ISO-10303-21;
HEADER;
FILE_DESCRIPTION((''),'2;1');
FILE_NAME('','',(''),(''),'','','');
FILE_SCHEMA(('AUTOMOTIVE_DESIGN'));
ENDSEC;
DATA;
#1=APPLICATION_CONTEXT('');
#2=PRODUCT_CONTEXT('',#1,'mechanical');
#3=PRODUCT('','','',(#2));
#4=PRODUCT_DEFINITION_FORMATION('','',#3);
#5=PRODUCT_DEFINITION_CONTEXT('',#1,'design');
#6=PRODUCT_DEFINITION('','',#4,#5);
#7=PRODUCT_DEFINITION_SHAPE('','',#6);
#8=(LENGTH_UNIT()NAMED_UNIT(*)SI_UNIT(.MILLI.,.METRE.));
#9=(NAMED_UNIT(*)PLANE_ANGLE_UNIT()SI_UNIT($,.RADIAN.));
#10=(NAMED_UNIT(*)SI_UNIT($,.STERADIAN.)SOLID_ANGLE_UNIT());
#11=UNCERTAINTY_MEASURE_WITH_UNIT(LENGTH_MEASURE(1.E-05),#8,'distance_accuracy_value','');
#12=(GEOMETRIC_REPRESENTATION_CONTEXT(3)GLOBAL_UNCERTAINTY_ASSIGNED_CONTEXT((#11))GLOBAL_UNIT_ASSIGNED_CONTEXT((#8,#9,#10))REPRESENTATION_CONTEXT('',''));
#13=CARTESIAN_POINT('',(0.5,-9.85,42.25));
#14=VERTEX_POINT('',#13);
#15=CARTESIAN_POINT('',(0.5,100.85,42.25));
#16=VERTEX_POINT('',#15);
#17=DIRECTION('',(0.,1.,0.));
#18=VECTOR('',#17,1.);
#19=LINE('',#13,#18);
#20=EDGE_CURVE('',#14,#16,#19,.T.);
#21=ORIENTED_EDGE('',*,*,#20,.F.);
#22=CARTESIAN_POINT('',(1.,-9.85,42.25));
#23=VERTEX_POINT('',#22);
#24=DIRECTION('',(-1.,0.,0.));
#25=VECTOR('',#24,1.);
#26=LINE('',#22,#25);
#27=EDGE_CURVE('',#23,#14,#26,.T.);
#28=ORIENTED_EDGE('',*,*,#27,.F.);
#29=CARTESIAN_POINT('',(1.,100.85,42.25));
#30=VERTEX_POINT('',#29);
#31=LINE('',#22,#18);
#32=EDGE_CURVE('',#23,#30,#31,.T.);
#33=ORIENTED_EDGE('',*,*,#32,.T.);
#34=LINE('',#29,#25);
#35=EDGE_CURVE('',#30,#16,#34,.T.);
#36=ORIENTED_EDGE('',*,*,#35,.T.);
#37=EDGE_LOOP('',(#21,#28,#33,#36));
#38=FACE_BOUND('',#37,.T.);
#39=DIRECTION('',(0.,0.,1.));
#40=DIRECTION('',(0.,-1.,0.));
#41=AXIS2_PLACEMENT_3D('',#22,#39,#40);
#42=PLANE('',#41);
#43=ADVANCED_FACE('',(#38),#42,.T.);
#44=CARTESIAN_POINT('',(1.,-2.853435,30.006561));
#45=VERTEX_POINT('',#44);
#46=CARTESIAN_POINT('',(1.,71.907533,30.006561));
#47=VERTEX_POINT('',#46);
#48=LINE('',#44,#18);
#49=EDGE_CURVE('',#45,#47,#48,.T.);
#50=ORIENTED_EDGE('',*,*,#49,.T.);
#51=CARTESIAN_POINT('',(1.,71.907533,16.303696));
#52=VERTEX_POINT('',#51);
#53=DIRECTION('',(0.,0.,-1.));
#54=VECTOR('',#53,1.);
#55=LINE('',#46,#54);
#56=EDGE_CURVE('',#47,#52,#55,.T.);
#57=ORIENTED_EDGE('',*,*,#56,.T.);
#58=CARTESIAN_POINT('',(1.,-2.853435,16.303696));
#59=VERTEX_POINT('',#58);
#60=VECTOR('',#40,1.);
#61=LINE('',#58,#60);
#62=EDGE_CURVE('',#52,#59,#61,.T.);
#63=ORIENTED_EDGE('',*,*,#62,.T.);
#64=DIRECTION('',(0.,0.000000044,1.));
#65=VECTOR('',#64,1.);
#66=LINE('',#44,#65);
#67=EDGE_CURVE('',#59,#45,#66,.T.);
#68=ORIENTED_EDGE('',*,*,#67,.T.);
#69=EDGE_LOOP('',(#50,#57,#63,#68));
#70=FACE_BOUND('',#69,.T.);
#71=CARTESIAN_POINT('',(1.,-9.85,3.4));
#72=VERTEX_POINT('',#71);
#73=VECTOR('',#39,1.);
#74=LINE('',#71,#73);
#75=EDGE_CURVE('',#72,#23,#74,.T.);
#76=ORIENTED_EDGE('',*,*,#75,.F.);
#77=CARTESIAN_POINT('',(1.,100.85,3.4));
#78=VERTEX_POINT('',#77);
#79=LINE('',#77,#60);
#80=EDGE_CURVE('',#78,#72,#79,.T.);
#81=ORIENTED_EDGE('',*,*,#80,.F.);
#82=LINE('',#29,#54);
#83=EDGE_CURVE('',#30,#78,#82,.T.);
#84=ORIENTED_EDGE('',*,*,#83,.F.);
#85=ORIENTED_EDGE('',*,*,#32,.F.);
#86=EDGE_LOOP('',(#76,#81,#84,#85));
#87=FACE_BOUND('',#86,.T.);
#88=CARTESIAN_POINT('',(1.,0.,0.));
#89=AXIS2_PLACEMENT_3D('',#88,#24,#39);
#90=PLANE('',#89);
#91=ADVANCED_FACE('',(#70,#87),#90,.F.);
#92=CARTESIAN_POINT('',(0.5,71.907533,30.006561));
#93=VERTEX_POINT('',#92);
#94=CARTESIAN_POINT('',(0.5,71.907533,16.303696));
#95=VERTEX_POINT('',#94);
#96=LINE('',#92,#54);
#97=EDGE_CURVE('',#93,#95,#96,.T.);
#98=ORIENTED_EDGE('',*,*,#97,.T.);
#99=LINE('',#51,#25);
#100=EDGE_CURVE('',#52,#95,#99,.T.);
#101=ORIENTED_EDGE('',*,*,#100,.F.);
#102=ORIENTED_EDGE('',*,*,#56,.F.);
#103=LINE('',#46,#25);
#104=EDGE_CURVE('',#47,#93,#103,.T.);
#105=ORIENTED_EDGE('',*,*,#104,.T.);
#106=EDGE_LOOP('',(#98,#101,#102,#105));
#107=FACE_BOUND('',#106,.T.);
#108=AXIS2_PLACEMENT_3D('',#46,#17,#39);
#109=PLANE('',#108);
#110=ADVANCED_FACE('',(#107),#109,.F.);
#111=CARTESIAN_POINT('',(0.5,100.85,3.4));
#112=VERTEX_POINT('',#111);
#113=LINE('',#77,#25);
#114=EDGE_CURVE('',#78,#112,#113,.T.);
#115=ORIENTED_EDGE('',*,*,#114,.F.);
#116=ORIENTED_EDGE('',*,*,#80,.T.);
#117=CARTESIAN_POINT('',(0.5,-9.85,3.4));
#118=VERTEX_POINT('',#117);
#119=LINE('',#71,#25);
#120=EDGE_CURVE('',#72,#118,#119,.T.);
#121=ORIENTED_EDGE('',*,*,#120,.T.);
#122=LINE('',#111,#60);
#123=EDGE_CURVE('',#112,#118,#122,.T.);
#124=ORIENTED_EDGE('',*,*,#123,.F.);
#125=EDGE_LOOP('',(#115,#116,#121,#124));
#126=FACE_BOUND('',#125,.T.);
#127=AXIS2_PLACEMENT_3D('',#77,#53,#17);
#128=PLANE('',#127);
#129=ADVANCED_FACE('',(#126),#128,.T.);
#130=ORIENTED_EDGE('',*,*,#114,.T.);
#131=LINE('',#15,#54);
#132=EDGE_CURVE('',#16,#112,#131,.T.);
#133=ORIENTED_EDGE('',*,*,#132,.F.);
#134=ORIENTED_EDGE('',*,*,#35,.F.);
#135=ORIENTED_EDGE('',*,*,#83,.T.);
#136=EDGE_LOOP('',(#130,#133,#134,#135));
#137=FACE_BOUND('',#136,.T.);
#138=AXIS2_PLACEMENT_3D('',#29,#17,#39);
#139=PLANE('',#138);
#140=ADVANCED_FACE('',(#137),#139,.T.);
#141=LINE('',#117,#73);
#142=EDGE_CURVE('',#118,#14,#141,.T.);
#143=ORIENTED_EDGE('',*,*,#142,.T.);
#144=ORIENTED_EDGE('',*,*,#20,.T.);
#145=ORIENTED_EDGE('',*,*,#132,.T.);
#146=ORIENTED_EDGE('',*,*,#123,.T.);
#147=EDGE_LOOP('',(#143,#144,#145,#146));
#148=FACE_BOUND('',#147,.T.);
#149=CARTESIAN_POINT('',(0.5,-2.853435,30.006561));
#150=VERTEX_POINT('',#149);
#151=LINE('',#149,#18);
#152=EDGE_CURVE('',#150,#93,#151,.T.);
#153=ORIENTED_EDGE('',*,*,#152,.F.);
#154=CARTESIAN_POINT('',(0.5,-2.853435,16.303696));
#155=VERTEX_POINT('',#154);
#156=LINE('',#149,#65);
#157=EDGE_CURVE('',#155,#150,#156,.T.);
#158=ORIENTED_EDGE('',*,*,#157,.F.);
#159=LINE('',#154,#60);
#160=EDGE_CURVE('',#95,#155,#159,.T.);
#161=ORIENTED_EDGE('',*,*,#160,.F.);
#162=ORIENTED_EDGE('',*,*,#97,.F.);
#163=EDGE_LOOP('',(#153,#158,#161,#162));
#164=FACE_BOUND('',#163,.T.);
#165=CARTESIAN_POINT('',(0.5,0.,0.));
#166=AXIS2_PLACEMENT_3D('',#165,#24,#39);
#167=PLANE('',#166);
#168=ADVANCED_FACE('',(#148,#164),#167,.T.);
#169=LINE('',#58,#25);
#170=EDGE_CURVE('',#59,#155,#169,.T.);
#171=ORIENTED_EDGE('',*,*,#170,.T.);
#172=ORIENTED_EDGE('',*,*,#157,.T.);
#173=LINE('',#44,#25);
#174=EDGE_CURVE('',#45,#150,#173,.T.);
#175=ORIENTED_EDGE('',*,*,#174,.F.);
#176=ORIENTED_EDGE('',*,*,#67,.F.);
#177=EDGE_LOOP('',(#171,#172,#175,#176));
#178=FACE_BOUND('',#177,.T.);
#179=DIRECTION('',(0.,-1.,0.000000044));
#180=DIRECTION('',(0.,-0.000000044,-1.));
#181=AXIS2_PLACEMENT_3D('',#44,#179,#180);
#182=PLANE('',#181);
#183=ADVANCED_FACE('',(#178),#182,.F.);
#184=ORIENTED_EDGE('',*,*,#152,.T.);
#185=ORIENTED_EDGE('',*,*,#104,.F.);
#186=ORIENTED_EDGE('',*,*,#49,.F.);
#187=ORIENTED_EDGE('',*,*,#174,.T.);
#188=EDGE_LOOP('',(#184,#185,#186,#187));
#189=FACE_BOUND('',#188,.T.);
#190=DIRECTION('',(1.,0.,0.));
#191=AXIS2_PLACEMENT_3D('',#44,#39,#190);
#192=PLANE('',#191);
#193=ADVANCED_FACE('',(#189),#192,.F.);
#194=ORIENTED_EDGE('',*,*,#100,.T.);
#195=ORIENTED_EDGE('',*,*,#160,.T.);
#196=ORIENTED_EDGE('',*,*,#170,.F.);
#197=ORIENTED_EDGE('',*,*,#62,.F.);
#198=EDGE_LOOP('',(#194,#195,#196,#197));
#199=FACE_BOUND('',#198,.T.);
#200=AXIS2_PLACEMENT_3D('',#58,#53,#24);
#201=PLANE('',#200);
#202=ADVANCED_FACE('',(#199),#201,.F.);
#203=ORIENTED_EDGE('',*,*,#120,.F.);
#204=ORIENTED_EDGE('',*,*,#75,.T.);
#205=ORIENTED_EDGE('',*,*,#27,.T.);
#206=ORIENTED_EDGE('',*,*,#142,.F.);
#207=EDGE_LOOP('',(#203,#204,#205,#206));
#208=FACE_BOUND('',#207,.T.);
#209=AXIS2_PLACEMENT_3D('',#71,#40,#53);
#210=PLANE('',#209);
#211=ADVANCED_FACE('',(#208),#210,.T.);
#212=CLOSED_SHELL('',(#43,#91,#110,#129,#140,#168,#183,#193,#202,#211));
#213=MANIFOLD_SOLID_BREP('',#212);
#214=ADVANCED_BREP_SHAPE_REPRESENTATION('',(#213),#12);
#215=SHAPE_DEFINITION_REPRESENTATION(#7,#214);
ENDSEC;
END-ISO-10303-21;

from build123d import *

# Parameters (mm, degrees)
SKETCH_1_W          = 110.7
SKETCH_1_H          = 38.85
EXTRUDE_1_DEPTH     = 0.5
CUT_EXTRUDE_1_DEPTH = 110.343655509


with BuildPart() as part:
    # Эскиз1 → Бобышка-Вытянуть1 (new body)
    with BuildSketch(Plane(origin=(0.5, 0, 0), x_dir=(0, -1, 0), z_dir=(-1, 0, 0))):
        with Locations((-45.5, 22.825)):
            Rectangle(SKETCH_1_W, SKETCH_1_H)
    extrude(amount=-EXTRUDE_1_DEPTH)

    # Эскиз3 → Вырез-Вытянуть1 (cut, through all)
    with BuildSketch(Plane.ZY.offset(-0.5)):
        Polygon((30.006561442, -2.853434514), (16.303695676, -2.853435113), (16.303695676, 71.907533256), (30.006561442, 71.907533256), align=None)
    extrude(amount=-CUT_EXTRUDE_1_DEPTH, mode=Mode.SUBTRACT)


solid = part.part
